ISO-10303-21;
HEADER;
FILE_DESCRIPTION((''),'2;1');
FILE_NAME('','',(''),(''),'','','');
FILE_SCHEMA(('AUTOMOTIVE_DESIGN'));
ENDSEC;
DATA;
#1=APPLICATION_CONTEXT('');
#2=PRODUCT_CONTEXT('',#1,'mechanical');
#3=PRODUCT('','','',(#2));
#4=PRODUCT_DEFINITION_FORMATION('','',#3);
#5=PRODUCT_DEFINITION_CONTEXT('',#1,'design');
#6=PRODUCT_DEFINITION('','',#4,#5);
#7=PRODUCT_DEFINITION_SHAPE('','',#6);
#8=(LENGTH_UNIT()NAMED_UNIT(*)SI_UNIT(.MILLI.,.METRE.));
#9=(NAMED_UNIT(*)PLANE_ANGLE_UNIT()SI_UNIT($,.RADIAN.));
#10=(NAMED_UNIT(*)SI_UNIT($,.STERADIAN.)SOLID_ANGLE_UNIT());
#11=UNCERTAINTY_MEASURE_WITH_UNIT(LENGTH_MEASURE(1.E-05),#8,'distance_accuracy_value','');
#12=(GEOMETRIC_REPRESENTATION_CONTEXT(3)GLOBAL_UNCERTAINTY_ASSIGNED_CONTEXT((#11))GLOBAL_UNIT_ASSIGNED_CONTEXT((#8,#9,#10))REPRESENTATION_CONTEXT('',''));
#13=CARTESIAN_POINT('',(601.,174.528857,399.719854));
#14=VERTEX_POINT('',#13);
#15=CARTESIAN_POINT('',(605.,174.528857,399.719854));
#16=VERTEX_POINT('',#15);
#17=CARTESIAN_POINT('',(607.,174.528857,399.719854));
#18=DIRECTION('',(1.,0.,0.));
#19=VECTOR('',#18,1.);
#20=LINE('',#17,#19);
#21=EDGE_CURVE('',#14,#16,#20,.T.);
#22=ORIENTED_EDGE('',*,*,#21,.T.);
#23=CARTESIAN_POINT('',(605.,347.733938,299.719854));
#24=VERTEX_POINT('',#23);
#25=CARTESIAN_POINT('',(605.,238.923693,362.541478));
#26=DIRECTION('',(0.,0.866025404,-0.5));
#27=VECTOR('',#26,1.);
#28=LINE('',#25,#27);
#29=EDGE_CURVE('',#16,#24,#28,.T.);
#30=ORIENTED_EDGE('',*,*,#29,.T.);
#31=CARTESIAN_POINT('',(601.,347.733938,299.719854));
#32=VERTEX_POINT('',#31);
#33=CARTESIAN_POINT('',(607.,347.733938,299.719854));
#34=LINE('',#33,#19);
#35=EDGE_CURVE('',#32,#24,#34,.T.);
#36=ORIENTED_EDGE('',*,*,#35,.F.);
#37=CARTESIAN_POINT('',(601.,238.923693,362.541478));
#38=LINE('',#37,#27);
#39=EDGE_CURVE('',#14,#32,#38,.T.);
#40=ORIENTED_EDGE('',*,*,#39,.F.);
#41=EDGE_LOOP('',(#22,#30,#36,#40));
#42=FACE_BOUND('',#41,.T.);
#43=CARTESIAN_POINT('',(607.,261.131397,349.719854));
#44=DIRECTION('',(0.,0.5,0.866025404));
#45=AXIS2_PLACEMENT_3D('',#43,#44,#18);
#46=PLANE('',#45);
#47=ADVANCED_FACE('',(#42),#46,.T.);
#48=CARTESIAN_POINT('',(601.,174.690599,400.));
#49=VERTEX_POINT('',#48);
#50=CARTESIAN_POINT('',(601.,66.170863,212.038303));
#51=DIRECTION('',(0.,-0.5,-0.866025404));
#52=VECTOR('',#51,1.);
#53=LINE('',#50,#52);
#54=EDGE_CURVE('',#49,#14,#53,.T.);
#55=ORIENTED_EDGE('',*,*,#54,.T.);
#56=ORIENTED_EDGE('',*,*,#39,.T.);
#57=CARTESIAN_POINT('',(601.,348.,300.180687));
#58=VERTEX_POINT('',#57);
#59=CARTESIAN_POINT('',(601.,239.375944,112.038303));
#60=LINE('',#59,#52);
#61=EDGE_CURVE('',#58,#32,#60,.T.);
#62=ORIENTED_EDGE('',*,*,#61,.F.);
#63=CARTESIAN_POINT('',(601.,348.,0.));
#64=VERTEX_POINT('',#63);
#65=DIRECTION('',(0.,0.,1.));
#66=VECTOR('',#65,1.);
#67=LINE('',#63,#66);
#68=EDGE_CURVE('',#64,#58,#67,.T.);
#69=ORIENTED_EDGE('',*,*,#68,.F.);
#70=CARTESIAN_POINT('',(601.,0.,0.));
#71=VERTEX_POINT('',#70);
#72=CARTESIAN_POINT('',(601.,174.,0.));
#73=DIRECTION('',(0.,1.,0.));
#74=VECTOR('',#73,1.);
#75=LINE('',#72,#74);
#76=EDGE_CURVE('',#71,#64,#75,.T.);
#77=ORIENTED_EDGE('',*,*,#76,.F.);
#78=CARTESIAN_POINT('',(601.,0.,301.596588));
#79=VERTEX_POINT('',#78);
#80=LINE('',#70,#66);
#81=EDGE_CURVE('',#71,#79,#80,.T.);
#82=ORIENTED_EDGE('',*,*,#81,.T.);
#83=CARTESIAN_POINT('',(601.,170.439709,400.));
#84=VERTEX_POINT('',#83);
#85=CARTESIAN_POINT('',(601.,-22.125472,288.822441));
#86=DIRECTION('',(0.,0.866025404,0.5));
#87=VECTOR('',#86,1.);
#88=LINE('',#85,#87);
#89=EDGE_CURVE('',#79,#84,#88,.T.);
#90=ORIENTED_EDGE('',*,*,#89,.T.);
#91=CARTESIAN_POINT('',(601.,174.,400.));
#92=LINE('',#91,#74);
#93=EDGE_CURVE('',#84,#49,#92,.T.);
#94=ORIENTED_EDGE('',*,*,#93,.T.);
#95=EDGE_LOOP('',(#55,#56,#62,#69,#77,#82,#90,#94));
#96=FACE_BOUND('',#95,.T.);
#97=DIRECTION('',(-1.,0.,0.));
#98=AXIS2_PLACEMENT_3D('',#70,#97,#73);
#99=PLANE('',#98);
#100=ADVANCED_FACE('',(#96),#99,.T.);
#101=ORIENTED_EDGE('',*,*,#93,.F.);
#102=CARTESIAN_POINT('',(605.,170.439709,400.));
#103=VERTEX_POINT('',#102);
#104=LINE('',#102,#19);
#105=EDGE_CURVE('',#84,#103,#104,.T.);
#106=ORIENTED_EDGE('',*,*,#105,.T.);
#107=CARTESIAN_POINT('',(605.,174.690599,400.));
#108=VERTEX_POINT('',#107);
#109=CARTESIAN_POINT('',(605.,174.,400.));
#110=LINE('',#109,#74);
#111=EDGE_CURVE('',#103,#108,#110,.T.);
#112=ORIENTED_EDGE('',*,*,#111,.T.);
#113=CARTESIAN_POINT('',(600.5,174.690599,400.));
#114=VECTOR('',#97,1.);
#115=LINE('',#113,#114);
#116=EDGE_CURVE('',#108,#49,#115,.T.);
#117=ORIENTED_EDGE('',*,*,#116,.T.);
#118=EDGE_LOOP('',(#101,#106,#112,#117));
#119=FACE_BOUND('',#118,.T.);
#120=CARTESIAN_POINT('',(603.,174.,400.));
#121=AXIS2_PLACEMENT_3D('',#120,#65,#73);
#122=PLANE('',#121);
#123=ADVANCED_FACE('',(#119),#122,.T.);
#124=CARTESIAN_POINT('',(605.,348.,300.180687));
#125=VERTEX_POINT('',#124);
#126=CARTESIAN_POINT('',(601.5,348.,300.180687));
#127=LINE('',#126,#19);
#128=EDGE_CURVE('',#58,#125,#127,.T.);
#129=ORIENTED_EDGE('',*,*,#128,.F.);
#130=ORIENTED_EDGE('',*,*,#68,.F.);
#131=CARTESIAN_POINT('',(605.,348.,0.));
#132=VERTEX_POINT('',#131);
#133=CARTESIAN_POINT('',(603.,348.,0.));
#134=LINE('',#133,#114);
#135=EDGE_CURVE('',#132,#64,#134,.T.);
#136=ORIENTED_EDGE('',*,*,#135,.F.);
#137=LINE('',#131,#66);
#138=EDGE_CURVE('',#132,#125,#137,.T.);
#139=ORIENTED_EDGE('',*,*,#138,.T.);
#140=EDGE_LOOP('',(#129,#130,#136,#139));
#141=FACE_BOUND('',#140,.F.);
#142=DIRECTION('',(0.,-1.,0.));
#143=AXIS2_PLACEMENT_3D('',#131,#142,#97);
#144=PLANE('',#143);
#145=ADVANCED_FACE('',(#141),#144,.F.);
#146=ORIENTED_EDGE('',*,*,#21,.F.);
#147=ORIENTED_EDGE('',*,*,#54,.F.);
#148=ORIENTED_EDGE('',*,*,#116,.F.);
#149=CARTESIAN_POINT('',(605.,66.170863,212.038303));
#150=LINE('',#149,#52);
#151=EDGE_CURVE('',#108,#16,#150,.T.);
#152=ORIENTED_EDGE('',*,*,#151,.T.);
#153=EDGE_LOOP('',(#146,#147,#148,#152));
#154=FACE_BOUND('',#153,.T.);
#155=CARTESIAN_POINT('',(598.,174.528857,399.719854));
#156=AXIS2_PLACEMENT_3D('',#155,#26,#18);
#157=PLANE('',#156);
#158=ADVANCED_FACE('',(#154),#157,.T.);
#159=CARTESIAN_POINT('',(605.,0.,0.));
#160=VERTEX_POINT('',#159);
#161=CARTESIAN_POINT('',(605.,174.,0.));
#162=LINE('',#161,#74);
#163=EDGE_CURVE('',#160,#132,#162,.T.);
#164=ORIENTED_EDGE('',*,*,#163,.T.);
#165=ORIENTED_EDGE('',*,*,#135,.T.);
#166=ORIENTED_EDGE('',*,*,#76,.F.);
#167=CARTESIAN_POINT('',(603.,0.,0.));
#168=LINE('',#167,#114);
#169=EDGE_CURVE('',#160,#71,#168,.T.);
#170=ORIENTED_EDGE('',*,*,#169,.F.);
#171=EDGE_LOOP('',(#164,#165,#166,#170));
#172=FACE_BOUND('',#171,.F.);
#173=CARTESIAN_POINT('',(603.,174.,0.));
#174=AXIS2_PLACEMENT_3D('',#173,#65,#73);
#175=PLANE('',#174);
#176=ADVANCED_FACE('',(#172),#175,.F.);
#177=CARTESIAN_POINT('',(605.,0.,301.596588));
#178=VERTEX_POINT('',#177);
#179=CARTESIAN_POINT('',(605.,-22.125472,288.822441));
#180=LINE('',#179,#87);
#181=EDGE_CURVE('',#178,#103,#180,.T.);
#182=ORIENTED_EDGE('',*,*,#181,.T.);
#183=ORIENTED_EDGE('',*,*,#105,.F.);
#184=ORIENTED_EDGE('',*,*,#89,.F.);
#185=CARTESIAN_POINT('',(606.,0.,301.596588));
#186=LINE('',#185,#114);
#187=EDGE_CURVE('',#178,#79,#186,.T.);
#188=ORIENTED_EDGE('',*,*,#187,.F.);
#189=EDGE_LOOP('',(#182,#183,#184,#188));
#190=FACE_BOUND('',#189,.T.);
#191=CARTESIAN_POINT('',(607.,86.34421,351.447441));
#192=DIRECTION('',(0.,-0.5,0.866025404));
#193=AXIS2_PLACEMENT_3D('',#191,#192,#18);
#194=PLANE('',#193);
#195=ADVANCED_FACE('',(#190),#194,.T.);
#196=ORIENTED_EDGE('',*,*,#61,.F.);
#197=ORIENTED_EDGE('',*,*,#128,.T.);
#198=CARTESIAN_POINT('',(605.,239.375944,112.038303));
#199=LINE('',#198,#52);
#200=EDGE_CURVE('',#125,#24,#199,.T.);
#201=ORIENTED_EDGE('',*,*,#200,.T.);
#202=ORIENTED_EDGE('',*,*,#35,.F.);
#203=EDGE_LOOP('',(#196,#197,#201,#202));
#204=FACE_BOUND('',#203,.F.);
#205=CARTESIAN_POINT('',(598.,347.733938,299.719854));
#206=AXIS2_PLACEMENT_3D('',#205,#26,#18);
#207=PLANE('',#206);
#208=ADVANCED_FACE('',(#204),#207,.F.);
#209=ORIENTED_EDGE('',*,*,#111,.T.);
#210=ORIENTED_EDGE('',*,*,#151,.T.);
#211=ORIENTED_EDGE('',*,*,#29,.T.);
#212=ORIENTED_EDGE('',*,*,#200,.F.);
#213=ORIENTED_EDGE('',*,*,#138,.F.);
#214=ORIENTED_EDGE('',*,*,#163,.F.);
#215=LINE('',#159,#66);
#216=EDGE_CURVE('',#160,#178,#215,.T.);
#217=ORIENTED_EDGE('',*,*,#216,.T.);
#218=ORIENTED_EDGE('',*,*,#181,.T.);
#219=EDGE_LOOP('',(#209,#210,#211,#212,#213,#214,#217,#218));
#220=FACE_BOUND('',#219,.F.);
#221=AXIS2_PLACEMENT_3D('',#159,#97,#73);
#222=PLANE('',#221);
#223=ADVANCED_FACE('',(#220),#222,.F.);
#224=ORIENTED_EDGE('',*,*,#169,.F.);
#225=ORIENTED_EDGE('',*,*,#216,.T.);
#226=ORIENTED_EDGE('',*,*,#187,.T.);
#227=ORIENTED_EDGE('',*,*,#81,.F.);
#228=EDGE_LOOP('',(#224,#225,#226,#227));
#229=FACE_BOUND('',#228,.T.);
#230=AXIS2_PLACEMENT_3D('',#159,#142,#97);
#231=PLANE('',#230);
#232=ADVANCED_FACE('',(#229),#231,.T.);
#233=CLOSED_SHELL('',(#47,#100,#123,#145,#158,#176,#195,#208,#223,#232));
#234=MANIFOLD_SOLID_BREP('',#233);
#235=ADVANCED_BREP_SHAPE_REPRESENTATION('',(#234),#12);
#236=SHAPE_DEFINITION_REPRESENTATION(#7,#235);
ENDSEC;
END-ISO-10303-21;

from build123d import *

# Parameters (mm, degrees)
BOX006_W               = 18
BOX006_H               = 200
BOX006_DEPTH           = 87
BOX006_PLACEMENT_ANGLE = 30
BOX005_W               = 18
BOX005_H               = 200
BOX005_DEPTH           = 87
BOX005_PLACEMENT_ANGLE = 30
BOX004_W               = 348
BOX004_H               = 4
BOX004_DEPTH           = 400


with BuildPart() as box006:
    # Box006 → Box006 (new body)
    with BuildSketch(Plane.XY):
        with Locations((9, 100)):
            Rectangle(BOX006_W, BOX006_H)
    extrude(amount=BOX006_DEPTH)


with BuildPart() as box006_1:
    # Box006 placement: moved
    add(box006.part.moved(Location((598, 174.528857, 399.719854))).rotate(Axis((598, 174.528857, 399.719854), (-1, 0, 0)), BOX006_PLACEMENT_ANGLE))


with BuildPart() as glass_cut:
    # Box005 → Box005 (new body)
    with BuildSketch(Plane.XY):
        with Locations((9, 100)):
            Rectangle(BOX005_W, BOX005_H)
    extrude(amount=BOX005_DEPTH)


with BuildPart() as glass_cut_1:
    # Box005 placement: moved
    add(glass_cut.part.moved(Location((598, -0.25833, 301.447441))).rotate(Axis((598, -0.25833, 301.447441), (1, 0, 0)), BOX005_PLACEMENT_ANGLE))


with BuildPart() as glass_sides:
    # Box004 → Box004 (new body)
    with BuildSketch(Plane(origin=(605, 0, 0), x_dir=(0, 1, 0), z_dir=(0, 0, 1))):
        with Locations((174, 2)):
            Rectangle(BOX004_W, BOX004_H)
    extrude(amount=BOX004_DEPTH)

    # Cut: cut Glass cut 
    add(glass_cut_1.part, mode=Mode.SUBTRACT)

    # Cut001: cut Box006
    add(box006_1.part, mode=Mode.SUBTRACT)


solid = glass_sides.part
